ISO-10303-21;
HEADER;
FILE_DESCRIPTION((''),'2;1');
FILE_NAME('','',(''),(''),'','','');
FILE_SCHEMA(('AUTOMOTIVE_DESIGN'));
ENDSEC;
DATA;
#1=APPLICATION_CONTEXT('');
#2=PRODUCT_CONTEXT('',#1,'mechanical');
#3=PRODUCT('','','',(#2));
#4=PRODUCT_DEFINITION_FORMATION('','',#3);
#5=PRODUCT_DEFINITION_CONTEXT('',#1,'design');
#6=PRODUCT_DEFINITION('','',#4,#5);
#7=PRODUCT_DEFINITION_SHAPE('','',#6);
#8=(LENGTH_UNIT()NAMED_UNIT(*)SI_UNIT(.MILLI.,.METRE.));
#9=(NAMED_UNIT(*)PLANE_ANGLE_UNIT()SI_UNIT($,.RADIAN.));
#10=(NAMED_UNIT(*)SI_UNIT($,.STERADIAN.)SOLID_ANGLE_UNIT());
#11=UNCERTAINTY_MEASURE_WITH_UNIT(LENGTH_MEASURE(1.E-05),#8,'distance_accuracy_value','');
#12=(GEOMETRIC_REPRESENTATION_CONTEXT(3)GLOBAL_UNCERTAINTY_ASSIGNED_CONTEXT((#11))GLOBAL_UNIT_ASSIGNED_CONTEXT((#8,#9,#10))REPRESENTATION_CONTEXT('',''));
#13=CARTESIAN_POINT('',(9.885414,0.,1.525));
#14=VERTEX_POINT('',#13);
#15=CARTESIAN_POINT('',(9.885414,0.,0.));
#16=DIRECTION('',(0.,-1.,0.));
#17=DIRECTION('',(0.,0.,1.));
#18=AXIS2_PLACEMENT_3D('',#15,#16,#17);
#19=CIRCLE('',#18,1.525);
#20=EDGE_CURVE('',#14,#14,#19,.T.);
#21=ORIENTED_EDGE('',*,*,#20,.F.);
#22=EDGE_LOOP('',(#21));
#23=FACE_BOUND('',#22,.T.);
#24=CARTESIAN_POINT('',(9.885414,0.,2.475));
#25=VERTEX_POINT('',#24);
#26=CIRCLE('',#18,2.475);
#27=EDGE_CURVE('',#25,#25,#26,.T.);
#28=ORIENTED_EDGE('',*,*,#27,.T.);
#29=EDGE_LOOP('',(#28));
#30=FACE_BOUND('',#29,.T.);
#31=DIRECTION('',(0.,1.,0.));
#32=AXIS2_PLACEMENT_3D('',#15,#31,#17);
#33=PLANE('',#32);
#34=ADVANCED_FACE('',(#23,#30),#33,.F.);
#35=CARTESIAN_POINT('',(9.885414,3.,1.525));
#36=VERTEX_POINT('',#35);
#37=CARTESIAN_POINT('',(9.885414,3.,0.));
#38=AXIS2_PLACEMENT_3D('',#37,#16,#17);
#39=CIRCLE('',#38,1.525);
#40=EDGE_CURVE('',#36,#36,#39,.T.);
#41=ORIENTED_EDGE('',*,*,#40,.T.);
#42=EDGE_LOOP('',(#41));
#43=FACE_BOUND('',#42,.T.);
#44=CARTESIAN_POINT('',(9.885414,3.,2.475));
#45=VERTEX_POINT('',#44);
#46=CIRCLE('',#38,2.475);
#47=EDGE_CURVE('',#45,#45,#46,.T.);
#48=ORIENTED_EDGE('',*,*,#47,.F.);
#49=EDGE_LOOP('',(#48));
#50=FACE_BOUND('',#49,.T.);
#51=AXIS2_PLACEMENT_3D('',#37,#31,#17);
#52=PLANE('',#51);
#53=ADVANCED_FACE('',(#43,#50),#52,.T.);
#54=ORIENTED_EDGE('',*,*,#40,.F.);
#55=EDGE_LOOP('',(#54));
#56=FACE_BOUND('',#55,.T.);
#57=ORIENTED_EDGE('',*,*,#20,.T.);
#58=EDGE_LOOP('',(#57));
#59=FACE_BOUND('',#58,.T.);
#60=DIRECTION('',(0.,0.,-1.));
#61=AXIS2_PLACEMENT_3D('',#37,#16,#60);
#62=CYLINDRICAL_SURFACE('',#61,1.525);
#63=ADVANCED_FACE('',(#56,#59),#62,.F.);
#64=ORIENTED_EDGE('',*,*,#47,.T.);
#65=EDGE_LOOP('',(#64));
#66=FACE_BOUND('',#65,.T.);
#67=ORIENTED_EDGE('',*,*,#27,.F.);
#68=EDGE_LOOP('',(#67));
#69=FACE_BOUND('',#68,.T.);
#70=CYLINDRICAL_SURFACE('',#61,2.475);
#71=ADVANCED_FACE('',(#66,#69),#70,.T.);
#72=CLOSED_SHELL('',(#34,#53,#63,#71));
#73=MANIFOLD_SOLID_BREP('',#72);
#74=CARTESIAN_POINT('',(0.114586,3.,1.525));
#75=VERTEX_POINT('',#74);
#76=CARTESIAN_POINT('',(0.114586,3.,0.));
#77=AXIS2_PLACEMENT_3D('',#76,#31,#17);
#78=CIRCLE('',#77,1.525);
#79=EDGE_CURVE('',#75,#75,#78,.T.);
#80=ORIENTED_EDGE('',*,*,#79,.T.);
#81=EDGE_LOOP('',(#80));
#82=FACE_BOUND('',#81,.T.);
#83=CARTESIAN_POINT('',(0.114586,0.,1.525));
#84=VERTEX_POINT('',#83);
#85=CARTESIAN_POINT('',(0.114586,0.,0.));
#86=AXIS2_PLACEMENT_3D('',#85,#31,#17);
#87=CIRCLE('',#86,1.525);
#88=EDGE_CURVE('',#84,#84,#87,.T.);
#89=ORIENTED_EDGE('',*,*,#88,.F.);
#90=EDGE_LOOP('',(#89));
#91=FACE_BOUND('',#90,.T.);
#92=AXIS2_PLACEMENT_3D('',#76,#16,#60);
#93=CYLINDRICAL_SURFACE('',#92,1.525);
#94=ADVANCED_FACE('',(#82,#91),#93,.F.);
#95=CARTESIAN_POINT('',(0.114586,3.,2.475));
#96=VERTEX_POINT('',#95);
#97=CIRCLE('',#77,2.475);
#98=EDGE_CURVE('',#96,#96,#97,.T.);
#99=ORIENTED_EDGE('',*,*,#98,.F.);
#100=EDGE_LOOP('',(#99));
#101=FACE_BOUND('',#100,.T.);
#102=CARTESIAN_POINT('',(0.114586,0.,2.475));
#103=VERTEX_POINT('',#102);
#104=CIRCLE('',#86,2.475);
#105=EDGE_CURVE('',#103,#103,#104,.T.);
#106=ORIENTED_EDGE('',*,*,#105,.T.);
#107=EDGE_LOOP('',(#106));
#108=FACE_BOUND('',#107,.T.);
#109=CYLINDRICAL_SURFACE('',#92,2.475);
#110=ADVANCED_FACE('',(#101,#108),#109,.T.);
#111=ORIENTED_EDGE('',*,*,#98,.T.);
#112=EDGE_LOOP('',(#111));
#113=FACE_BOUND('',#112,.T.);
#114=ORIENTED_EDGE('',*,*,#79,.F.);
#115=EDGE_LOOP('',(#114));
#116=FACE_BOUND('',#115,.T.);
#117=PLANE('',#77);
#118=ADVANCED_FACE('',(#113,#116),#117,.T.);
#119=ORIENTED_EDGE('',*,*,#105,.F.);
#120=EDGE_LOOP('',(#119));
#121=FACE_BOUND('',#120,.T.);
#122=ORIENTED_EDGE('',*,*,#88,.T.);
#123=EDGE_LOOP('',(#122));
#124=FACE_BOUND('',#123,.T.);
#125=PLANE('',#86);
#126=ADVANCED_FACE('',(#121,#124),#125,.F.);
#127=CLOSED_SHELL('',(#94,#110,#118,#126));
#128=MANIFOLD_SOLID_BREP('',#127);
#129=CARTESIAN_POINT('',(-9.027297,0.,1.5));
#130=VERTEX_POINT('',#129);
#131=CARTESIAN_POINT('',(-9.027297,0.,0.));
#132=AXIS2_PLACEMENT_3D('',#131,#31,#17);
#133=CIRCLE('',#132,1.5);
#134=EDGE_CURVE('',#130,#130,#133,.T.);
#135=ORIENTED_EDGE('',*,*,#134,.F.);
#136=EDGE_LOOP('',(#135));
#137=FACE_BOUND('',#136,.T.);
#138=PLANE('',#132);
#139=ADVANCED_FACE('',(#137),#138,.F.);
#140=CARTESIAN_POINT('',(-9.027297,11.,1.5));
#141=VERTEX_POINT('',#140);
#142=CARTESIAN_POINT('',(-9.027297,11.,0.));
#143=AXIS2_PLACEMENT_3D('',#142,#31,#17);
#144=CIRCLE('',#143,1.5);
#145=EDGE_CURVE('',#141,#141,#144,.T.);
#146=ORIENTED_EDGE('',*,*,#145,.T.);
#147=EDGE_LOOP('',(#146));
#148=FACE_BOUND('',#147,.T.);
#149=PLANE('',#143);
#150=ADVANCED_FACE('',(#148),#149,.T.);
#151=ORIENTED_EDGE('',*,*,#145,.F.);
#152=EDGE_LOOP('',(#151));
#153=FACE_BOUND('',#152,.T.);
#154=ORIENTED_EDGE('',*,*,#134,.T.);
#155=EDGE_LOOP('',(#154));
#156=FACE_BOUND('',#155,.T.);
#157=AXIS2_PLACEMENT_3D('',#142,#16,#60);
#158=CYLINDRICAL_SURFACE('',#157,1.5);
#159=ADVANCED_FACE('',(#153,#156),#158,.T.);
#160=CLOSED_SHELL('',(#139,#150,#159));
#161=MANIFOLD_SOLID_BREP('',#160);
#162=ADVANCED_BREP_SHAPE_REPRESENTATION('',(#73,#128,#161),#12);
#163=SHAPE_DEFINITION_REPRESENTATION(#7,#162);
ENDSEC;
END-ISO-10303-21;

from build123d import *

# Parameters (mm, degrees)
SKETCH1_R           = 2.475
SKETCH1_R_2         = 1.525
BOSS_EXTRUDE1_DEPTH = 3
SKETCH2_R           = 1.5
BOSS_EXTRUDE2_DEPTH = 11


with BuildPart() as part:
    # Sketch1 → Boss-Extrude1 (new body)
    with BuildSketch(Plane(origin=(0, 0, 0), x_dir=(1, 0, 0), z_dir=(0, 1, 0))):
        with Locations(Location((0.114586476, 0, 0), (0, 0, 270))):
            Circle(SKETCH1_R)
        with Locations(Location((0.114586476, 0, 0), (0, 0, 270))):
            Circle(SKETCH1_R_2, mode=Mode.SUBTRACT)
    extrude(amount=BOSS_EXTRUDE1_DEPTH)


with BuildPart() as body_2:
    # Sketch2 → Boss-Extrude2 (new body)
    with BuildSketch(Plane(origin=(0, 0, 0), x_dir=(1, 0, 0), z_dir=(0, 1, 0))):
        with Locations(Location((-9.027296586, 0, 0), (0, 0, 270))):
            Circle(SKETCH2_R)
    extrude(amount=BOSS_EXTRUDE2_DEPTH)


with BuildPart() as body_3:
    # Mirror1: mirrored copy
    add(part.part.mirror(Plane(origin=(5, 0, 0), x_dir=(0, 0, 1), z_dir=(1, 0, 0))))


solid = Compound([part.part, body_2.part, body_3.part])
